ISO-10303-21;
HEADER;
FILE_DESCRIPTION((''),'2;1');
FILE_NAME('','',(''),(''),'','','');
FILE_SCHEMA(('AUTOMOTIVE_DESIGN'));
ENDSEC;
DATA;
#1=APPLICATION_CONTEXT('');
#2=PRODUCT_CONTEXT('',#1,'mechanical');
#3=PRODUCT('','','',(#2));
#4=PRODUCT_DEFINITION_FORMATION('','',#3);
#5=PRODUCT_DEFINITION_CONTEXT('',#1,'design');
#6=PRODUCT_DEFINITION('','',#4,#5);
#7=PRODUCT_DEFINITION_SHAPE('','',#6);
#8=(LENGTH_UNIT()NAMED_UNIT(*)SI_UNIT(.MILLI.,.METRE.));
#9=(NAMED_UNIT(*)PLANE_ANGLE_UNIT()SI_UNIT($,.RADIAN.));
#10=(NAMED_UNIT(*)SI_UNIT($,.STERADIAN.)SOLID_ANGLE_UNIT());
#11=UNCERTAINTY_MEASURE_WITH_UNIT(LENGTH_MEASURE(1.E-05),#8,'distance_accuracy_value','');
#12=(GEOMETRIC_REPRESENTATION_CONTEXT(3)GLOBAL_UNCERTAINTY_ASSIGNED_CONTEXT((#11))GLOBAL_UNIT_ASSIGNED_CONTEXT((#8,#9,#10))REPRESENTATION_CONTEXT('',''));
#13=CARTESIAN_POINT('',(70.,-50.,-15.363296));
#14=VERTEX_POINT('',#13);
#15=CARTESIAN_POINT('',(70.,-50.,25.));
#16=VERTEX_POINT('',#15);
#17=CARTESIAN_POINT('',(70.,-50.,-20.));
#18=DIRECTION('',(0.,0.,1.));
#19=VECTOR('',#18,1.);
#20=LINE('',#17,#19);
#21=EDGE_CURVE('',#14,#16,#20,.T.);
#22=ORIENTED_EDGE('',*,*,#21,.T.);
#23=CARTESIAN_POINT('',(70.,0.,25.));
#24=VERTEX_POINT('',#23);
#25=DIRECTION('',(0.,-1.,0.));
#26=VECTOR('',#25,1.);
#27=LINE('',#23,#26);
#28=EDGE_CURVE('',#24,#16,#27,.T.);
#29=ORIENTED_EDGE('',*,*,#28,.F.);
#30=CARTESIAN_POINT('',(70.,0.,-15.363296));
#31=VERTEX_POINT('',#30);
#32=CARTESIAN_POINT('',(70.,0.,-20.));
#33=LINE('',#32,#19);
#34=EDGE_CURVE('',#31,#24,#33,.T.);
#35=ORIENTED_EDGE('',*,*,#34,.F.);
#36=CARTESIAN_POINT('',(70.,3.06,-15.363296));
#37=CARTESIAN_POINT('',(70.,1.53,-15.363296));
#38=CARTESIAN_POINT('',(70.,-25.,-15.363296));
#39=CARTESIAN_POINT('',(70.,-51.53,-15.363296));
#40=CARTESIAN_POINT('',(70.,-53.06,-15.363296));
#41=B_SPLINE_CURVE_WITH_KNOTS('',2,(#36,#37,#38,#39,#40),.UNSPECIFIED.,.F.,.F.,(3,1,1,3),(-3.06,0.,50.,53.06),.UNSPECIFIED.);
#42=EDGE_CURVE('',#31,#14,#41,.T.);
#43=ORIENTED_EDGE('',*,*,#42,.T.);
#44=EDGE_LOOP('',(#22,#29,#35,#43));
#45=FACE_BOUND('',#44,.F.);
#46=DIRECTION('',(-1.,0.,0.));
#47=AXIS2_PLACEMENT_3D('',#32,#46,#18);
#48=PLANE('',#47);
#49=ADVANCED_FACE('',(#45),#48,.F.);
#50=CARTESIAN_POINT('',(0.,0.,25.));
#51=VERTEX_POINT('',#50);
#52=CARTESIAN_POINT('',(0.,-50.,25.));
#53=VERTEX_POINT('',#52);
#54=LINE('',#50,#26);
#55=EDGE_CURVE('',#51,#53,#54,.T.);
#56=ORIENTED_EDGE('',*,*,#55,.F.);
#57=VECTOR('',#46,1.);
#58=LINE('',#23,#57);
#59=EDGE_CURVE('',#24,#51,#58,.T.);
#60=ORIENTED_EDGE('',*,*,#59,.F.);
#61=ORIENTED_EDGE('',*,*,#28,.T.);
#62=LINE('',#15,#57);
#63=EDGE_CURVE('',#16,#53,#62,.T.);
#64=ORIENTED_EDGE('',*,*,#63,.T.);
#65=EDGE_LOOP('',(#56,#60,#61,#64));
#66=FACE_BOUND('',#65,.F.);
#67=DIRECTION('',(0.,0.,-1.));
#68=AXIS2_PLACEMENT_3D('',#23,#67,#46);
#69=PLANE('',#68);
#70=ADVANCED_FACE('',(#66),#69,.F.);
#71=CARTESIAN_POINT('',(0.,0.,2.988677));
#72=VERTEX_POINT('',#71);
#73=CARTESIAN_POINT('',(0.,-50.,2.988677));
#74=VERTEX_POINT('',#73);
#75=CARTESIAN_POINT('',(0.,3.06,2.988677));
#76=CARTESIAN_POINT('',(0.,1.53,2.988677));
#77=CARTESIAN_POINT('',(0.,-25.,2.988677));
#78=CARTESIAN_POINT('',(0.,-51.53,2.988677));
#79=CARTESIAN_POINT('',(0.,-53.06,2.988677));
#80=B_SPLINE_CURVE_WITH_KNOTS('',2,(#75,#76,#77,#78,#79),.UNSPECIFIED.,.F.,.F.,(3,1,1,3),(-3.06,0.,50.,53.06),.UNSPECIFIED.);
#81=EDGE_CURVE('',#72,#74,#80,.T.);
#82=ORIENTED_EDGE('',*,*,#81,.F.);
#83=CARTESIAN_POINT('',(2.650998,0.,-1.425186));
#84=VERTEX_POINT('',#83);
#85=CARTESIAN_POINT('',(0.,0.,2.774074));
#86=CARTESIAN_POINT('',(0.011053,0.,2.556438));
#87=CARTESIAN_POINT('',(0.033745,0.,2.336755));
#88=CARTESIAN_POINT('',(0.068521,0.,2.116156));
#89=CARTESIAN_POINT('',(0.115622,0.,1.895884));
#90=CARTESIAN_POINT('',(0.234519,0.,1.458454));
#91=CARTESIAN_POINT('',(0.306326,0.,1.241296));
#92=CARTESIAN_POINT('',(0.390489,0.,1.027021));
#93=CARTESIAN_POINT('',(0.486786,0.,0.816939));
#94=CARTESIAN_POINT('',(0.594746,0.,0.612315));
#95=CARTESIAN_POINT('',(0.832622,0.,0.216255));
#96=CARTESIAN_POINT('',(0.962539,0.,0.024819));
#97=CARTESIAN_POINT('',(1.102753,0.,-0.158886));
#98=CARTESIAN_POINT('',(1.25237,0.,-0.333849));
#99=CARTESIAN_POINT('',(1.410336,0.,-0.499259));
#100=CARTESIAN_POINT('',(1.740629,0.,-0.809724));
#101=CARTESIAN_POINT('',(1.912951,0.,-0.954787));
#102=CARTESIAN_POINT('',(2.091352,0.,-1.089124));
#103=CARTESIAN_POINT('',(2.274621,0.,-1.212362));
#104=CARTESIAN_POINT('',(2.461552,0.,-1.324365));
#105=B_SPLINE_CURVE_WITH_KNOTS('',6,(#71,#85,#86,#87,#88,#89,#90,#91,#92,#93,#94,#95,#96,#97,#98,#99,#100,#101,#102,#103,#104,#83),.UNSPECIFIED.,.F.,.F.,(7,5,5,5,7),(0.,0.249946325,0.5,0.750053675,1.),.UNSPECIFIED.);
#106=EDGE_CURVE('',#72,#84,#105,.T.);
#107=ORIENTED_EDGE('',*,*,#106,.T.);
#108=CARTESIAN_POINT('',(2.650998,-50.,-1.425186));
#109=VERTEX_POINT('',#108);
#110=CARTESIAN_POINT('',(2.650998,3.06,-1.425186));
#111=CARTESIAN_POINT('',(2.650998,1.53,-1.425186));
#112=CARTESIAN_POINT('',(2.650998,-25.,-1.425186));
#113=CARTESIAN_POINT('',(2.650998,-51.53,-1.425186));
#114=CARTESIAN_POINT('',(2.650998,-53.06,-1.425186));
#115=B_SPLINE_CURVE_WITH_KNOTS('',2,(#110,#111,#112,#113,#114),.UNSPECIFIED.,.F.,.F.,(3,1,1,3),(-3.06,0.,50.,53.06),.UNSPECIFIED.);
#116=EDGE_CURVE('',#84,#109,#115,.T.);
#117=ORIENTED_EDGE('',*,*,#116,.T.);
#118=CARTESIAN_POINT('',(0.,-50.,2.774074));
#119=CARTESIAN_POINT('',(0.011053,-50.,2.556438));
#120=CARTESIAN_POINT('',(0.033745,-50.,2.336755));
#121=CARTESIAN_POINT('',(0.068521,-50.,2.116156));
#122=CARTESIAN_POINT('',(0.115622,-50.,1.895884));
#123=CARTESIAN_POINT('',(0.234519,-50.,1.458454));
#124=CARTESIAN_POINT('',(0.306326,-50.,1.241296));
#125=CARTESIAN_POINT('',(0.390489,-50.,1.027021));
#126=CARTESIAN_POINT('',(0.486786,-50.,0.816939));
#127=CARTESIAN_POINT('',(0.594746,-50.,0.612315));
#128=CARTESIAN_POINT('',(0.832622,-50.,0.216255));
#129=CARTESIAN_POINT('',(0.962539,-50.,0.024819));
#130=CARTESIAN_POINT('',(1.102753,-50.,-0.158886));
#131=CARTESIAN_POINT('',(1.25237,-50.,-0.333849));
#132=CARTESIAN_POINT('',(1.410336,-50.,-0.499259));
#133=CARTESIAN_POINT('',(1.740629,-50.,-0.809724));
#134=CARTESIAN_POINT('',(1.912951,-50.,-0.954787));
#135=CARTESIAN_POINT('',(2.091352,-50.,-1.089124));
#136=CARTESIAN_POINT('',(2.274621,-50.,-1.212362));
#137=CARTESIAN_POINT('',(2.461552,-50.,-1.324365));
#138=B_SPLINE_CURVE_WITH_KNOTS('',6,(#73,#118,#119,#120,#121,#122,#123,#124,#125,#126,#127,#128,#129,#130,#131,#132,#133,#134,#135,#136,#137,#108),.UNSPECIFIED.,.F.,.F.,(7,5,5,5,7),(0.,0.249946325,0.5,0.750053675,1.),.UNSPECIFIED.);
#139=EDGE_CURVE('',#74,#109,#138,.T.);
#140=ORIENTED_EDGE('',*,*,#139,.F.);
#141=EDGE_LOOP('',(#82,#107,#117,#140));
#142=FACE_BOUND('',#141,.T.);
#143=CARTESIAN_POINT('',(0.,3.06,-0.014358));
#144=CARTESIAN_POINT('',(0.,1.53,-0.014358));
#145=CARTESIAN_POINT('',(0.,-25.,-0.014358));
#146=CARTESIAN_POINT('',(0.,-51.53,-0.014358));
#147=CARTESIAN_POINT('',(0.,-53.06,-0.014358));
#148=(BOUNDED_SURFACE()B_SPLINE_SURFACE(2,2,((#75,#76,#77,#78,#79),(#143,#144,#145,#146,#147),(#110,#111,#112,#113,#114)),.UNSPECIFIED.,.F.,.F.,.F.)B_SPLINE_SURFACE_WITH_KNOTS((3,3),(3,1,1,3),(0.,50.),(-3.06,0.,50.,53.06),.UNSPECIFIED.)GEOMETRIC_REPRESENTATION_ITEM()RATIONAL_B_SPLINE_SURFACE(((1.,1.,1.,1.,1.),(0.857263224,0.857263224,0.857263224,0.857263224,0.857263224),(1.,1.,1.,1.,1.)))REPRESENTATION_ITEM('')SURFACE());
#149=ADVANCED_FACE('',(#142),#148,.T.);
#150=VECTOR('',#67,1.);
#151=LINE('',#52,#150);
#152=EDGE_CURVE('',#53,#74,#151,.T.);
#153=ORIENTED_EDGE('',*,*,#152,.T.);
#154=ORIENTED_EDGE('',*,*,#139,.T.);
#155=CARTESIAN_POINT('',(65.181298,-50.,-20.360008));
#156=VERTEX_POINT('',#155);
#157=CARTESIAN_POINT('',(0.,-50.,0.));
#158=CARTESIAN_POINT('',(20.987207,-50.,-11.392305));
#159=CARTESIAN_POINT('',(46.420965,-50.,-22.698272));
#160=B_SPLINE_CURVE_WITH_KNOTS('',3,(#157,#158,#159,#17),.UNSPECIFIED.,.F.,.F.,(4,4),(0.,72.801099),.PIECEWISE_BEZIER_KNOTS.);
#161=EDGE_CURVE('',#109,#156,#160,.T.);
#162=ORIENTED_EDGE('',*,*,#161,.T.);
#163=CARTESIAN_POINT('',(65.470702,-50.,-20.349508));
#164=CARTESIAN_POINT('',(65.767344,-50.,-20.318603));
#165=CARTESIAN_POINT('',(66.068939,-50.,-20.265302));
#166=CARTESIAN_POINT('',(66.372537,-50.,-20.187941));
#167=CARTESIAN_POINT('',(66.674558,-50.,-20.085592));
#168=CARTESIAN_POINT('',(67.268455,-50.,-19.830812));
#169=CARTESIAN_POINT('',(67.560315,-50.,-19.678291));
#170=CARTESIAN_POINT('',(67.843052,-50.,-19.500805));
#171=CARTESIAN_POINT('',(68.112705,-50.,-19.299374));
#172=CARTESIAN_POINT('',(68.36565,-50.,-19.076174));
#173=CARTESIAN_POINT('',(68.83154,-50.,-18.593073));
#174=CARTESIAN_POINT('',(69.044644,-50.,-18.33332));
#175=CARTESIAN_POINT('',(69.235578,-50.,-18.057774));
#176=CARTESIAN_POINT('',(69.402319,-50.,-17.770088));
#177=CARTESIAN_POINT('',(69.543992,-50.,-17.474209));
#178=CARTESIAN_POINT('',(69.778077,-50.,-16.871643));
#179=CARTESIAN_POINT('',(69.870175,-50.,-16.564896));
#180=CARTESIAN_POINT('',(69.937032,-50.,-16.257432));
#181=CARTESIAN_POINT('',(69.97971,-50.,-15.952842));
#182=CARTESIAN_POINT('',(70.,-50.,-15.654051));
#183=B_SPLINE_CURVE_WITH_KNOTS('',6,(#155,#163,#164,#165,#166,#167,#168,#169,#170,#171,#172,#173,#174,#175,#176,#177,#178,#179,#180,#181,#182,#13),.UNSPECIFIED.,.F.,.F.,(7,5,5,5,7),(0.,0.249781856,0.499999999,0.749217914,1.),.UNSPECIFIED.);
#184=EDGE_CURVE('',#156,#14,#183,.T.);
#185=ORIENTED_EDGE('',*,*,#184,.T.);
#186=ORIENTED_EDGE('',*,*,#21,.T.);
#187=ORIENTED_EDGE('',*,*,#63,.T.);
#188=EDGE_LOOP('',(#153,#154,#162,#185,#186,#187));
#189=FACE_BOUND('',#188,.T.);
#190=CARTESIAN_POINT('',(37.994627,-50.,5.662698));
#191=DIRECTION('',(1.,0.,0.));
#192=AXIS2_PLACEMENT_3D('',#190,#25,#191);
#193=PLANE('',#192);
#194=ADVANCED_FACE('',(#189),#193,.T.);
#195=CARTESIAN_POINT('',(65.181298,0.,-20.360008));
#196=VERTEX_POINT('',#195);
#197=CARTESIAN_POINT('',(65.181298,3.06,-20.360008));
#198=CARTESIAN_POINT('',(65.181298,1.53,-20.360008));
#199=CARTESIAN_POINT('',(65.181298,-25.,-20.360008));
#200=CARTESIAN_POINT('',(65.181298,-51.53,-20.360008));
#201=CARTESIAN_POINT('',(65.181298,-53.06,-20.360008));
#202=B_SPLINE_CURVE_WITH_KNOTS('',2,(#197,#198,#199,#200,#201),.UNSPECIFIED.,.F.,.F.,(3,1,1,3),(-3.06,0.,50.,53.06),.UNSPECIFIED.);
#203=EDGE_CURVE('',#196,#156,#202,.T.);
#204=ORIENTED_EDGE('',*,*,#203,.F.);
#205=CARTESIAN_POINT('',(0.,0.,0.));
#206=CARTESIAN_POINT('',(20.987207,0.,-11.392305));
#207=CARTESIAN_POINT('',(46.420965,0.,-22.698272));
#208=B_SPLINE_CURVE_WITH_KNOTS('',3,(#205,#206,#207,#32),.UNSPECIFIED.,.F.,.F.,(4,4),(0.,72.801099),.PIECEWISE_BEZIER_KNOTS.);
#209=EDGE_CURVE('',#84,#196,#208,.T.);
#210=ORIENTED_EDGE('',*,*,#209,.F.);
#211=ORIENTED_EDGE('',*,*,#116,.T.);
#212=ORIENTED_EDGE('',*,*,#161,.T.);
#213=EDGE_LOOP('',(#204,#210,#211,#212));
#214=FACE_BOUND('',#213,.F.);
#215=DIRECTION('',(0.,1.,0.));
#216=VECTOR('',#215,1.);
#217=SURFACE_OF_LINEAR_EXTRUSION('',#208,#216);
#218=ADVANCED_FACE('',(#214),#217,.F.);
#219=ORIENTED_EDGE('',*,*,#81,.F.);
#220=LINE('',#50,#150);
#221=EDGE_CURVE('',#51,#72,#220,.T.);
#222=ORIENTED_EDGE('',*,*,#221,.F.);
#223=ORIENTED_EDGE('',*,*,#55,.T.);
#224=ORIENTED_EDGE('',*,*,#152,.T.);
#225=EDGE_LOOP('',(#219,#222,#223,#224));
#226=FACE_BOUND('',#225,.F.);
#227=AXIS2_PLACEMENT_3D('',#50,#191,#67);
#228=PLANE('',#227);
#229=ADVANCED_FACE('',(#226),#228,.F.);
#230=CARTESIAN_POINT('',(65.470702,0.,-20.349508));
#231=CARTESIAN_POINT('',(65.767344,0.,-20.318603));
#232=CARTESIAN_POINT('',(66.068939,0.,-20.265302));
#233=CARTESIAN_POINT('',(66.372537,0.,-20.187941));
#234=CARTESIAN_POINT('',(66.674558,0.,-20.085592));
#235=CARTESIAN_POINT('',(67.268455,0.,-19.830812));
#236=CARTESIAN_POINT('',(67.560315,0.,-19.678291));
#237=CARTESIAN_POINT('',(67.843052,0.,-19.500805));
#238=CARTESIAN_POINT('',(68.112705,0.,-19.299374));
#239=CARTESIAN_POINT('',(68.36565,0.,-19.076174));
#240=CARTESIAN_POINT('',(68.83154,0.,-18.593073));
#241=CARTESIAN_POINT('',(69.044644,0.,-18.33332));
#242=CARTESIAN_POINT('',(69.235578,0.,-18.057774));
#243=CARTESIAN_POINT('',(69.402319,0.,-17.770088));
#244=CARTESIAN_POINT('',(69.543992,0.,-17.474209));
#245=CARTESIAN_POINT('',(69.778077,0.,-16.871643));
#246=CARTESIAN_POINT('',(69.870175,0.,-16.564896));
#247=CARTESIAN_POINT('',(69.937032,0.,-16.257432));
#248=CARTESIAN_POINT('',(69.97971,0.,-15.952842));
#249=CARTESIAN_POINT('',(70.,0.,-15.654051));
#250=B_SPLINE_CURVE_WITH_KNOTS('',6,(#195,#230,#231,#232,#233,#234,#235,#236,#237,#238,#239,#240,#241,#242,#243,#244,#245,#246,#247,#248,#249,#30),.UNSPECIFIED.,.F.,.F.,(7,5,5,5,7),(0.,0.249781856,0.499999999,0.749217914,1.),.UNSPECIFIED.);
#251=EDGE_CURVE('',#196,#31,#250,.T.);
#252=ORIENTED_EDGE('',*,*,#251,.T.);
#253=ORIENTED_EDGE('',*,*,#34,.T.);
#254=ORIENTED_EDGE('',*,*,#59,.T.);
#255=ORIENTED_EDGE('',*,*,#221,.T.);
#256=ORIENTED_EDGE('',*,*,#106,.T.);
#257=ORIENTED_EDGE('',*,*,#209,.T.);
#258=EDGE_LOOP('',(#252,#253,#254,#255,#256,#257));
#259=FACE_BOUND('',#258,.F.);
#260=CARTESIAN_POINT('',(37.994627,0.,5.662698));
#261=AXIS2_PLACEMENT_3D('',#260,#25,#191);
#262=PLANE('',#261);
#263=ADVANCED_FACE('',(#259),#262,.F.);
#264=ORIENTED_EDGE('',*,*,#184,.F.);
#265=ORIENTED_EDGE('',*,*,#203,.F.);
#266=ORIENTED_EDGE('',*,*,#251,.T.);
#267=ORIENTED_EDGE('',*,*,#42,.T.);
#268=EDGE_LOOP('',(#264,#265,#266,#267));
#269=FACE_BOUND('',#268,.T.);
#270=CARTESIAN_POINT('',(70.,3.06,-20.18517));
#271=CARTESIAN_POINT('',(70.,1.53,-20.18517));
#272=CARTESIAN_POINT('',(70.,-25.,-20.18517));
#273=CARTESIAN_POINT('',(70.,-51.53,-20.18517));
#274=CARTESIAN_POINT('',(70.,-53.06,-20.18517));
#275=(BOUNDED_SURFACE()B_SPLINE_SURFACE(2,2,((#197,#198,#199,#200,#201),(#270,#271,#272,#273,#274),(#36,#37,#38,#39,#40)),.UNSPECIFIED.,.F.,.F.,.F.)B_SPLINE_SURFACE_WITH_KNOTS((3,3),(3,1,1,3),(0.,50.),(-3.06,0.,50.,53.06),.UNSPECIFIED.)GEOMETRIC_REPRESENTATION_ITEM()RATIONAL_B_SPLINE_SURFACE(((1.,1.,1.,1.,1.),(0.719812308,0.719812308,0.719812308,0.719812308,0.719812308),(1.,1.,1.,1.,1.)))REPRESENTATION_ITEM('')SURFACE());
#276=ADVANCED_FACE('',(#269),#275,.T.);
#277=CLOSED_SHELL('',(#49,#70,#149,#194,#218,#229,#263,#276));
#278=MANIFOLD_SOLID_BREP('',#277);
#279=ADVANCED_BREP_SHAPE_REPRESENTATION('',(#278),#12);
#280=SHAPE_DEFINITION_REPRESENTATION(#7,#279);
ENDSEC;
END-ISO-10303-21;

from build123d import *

# Parameters (mm, degrees)
F1_DEPTH = 50
F2_R     = 5


with BuildPart() as f1:
    # F0 (on Front) → F1 (new body)
    with BuildSketch(Plane.XZ):
        with BuildLine():
            Line((0, 25), (0, 0))
            add(Edge.make_bspline(
                [(0, 0), (20.987207, -11.392305), (46.420965, -22.698272), (70, -20)],
                knots=[0, 0, 0, 0, 72.801099, 72.801099, 72.801099, 72.801099], degree=3))
            Line((70, -20), (70, 25))
            Line((70, 25), (0, 25))
        make_face()
    extrude(amount=F1_DEPTH)

    # F2
    f2_edges = [f1.edges().sort_by_distance(p)[0] for p in [
        (70, -25, -20),
        (0, -25, 0),
    ]]
    fillet(f2_edges, radius=F2_R)


solid = f1.part
